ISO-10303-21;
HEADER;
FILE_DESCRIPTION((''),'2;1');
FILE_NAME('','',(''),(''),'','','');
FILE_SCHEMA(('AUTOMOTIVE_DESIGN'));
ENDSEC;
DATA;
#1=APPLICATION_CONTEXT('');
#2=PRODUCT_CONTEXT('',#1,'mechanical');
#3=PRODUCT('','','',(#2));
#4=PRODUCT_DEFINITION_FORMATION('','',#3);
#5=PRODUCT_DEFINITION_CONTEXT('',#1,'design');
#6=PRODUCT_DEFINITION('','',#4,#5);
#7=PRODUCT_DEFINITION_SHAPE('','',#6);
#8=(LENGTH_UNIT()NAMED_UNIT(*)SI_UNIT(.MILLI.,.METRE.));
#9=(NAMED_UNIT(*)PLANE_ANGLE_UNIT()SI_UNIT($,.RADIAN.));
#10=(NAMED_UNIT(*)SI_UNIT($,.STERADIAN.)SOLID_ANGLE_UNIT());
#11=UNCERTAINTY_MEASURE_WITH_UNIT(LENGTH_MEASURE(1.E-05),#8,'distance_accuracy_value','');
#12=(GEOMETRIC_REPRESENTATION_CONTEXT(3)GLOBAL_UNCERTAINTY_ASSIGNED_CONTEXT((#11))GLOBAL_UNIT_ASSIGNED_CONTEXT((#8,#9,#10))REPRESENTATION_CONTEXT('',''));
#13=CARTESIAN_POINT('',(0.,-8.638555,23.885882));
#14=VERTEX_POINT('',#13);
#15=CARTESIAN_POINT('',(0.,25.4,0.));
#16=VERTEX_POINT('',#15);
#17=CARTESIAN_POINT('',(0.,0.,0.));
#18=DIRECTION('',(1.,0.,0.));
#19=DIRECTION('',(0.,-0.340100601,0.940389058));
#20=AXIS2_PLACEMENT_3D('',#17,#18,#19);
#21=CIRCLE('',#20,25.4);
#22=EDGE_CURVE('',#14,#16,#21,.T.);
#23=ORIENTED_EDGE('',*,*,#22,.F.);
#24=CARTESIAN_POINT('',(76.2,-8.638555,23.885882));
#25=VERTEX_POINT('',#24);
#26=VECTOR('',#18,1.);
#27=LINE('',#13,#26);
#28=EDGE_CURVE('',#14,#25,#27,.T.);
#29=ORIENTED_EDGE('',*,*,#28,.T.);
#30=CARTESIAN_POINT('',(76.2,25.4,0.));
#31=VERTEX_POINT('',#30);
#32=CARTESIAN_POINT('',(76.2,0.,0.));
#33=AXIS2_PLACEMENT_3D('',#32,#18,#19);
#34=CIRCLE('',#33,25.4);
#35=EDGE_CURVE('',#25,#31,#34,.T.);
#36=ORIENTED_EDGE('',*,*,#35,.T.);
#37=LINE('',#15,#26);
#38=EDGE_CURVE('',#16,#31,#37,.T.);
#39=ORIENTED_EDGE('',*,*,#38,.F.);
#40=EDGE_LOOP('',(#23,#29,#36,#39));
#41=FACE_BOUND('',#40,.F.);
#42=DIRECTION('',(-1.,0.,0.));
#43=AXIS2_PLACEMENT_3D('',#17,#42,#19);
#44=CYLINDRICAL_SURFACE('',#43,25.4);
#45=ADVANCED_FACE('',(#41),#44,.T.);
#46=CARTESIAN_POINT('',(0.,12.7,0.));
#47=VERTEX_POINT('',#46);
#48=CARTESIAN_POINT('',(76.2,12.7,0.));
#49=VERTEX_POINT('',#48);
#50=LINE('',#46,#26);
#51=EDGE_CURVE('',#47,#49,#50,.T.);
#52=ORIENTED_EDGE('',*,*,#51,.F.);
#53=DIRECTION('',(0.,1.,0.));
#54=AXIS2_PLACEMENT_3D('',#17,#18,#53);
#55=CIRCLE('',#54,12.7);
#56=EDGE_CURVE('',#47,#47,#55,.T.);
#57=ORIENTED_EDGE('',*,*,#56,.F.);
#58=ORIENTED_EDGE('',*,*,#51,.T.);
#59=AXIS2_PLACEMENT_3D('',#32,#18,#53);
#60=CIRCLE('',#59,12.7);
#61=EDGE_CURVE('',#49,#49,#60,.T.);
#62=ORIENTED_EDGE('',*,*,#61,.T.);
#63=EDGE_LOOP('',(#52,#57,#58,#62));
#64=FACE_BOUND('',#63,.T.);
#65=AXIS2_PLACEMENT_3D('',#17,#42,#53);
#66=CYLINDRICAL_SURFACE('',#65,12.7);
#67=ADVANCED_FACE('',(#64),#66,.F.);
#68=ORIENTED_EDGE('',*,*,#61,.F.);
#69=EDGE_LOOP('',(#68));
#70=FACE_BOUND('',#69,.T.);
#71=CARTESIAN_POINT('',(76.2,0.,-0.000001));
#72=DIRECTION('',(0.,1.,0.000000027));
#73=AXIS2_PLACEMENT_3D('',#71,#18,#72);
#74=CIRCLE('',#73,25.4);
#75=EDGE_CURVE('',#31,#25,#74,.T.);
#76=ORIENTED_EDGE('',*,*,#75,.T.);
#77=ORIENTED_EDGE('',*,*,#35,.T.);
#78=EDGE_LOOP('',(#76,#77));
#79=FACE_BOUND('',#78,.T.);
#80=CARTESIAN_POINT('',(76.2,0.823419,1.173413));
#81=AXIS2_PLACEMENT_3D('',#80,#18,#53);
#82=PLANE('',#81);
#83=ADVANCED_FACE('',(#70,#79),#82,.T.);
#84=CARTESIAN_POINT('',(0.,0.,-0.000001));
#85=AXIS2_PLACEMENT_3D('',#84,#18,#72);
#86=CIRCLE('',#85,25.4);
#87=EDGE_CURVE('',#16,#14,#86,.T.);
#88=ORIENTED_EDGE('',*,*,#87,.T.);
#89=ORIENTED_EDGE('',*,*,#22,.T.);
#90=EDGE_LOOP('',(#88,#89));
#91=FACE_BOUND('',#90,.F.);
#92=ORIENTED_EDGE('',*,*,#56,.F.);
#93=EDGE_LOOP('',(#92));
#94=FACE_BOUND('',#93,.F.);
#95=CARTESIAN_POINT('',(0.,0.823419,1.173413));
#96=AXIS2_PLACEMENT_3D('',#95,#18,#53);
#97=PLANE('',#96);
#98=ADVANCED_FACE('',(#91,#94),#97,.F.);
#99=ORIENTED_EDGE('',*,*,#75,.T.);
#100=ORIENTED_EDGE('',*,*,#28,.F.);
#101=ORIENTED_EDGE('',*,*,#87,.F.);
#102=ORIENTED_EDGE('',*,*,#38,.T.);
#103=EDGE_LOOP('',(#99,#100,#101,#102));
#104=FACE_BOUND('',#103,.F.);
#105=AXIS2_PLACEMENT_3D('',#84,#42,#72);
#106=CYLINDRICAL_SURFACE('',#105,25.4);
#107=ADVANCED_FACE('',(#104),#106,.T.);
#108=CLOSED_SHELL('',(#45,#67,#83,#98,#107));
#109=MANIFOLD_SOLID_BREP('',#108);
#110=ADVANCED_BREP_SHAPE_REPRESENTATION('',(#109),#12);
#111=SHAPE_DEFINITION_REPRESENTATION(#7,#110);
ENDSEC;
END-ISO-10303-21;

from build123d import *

# Parameters (mm, degrees)
F0_R     = 12.7
F1_DEPTH = 76.2


with BuildPart() as f1:
    # F0 (on Right) → F1 (new body)
    with BuildSketch(Plane.YZ):
        with BuildLine():
            ThreePointArc((-8.638555, 23.885882), (-14.590077, -20.791576), (25.4, 0))
            ThreePointArc((25.4, 0), (14.590077, 20.791576), (-8.638555, 23.885882))
        make_face()
        Circle(F0_R, mode=Mode.SUBTRACT)
    extrude(amount=F1_DEPTH)


solid = f1.part
